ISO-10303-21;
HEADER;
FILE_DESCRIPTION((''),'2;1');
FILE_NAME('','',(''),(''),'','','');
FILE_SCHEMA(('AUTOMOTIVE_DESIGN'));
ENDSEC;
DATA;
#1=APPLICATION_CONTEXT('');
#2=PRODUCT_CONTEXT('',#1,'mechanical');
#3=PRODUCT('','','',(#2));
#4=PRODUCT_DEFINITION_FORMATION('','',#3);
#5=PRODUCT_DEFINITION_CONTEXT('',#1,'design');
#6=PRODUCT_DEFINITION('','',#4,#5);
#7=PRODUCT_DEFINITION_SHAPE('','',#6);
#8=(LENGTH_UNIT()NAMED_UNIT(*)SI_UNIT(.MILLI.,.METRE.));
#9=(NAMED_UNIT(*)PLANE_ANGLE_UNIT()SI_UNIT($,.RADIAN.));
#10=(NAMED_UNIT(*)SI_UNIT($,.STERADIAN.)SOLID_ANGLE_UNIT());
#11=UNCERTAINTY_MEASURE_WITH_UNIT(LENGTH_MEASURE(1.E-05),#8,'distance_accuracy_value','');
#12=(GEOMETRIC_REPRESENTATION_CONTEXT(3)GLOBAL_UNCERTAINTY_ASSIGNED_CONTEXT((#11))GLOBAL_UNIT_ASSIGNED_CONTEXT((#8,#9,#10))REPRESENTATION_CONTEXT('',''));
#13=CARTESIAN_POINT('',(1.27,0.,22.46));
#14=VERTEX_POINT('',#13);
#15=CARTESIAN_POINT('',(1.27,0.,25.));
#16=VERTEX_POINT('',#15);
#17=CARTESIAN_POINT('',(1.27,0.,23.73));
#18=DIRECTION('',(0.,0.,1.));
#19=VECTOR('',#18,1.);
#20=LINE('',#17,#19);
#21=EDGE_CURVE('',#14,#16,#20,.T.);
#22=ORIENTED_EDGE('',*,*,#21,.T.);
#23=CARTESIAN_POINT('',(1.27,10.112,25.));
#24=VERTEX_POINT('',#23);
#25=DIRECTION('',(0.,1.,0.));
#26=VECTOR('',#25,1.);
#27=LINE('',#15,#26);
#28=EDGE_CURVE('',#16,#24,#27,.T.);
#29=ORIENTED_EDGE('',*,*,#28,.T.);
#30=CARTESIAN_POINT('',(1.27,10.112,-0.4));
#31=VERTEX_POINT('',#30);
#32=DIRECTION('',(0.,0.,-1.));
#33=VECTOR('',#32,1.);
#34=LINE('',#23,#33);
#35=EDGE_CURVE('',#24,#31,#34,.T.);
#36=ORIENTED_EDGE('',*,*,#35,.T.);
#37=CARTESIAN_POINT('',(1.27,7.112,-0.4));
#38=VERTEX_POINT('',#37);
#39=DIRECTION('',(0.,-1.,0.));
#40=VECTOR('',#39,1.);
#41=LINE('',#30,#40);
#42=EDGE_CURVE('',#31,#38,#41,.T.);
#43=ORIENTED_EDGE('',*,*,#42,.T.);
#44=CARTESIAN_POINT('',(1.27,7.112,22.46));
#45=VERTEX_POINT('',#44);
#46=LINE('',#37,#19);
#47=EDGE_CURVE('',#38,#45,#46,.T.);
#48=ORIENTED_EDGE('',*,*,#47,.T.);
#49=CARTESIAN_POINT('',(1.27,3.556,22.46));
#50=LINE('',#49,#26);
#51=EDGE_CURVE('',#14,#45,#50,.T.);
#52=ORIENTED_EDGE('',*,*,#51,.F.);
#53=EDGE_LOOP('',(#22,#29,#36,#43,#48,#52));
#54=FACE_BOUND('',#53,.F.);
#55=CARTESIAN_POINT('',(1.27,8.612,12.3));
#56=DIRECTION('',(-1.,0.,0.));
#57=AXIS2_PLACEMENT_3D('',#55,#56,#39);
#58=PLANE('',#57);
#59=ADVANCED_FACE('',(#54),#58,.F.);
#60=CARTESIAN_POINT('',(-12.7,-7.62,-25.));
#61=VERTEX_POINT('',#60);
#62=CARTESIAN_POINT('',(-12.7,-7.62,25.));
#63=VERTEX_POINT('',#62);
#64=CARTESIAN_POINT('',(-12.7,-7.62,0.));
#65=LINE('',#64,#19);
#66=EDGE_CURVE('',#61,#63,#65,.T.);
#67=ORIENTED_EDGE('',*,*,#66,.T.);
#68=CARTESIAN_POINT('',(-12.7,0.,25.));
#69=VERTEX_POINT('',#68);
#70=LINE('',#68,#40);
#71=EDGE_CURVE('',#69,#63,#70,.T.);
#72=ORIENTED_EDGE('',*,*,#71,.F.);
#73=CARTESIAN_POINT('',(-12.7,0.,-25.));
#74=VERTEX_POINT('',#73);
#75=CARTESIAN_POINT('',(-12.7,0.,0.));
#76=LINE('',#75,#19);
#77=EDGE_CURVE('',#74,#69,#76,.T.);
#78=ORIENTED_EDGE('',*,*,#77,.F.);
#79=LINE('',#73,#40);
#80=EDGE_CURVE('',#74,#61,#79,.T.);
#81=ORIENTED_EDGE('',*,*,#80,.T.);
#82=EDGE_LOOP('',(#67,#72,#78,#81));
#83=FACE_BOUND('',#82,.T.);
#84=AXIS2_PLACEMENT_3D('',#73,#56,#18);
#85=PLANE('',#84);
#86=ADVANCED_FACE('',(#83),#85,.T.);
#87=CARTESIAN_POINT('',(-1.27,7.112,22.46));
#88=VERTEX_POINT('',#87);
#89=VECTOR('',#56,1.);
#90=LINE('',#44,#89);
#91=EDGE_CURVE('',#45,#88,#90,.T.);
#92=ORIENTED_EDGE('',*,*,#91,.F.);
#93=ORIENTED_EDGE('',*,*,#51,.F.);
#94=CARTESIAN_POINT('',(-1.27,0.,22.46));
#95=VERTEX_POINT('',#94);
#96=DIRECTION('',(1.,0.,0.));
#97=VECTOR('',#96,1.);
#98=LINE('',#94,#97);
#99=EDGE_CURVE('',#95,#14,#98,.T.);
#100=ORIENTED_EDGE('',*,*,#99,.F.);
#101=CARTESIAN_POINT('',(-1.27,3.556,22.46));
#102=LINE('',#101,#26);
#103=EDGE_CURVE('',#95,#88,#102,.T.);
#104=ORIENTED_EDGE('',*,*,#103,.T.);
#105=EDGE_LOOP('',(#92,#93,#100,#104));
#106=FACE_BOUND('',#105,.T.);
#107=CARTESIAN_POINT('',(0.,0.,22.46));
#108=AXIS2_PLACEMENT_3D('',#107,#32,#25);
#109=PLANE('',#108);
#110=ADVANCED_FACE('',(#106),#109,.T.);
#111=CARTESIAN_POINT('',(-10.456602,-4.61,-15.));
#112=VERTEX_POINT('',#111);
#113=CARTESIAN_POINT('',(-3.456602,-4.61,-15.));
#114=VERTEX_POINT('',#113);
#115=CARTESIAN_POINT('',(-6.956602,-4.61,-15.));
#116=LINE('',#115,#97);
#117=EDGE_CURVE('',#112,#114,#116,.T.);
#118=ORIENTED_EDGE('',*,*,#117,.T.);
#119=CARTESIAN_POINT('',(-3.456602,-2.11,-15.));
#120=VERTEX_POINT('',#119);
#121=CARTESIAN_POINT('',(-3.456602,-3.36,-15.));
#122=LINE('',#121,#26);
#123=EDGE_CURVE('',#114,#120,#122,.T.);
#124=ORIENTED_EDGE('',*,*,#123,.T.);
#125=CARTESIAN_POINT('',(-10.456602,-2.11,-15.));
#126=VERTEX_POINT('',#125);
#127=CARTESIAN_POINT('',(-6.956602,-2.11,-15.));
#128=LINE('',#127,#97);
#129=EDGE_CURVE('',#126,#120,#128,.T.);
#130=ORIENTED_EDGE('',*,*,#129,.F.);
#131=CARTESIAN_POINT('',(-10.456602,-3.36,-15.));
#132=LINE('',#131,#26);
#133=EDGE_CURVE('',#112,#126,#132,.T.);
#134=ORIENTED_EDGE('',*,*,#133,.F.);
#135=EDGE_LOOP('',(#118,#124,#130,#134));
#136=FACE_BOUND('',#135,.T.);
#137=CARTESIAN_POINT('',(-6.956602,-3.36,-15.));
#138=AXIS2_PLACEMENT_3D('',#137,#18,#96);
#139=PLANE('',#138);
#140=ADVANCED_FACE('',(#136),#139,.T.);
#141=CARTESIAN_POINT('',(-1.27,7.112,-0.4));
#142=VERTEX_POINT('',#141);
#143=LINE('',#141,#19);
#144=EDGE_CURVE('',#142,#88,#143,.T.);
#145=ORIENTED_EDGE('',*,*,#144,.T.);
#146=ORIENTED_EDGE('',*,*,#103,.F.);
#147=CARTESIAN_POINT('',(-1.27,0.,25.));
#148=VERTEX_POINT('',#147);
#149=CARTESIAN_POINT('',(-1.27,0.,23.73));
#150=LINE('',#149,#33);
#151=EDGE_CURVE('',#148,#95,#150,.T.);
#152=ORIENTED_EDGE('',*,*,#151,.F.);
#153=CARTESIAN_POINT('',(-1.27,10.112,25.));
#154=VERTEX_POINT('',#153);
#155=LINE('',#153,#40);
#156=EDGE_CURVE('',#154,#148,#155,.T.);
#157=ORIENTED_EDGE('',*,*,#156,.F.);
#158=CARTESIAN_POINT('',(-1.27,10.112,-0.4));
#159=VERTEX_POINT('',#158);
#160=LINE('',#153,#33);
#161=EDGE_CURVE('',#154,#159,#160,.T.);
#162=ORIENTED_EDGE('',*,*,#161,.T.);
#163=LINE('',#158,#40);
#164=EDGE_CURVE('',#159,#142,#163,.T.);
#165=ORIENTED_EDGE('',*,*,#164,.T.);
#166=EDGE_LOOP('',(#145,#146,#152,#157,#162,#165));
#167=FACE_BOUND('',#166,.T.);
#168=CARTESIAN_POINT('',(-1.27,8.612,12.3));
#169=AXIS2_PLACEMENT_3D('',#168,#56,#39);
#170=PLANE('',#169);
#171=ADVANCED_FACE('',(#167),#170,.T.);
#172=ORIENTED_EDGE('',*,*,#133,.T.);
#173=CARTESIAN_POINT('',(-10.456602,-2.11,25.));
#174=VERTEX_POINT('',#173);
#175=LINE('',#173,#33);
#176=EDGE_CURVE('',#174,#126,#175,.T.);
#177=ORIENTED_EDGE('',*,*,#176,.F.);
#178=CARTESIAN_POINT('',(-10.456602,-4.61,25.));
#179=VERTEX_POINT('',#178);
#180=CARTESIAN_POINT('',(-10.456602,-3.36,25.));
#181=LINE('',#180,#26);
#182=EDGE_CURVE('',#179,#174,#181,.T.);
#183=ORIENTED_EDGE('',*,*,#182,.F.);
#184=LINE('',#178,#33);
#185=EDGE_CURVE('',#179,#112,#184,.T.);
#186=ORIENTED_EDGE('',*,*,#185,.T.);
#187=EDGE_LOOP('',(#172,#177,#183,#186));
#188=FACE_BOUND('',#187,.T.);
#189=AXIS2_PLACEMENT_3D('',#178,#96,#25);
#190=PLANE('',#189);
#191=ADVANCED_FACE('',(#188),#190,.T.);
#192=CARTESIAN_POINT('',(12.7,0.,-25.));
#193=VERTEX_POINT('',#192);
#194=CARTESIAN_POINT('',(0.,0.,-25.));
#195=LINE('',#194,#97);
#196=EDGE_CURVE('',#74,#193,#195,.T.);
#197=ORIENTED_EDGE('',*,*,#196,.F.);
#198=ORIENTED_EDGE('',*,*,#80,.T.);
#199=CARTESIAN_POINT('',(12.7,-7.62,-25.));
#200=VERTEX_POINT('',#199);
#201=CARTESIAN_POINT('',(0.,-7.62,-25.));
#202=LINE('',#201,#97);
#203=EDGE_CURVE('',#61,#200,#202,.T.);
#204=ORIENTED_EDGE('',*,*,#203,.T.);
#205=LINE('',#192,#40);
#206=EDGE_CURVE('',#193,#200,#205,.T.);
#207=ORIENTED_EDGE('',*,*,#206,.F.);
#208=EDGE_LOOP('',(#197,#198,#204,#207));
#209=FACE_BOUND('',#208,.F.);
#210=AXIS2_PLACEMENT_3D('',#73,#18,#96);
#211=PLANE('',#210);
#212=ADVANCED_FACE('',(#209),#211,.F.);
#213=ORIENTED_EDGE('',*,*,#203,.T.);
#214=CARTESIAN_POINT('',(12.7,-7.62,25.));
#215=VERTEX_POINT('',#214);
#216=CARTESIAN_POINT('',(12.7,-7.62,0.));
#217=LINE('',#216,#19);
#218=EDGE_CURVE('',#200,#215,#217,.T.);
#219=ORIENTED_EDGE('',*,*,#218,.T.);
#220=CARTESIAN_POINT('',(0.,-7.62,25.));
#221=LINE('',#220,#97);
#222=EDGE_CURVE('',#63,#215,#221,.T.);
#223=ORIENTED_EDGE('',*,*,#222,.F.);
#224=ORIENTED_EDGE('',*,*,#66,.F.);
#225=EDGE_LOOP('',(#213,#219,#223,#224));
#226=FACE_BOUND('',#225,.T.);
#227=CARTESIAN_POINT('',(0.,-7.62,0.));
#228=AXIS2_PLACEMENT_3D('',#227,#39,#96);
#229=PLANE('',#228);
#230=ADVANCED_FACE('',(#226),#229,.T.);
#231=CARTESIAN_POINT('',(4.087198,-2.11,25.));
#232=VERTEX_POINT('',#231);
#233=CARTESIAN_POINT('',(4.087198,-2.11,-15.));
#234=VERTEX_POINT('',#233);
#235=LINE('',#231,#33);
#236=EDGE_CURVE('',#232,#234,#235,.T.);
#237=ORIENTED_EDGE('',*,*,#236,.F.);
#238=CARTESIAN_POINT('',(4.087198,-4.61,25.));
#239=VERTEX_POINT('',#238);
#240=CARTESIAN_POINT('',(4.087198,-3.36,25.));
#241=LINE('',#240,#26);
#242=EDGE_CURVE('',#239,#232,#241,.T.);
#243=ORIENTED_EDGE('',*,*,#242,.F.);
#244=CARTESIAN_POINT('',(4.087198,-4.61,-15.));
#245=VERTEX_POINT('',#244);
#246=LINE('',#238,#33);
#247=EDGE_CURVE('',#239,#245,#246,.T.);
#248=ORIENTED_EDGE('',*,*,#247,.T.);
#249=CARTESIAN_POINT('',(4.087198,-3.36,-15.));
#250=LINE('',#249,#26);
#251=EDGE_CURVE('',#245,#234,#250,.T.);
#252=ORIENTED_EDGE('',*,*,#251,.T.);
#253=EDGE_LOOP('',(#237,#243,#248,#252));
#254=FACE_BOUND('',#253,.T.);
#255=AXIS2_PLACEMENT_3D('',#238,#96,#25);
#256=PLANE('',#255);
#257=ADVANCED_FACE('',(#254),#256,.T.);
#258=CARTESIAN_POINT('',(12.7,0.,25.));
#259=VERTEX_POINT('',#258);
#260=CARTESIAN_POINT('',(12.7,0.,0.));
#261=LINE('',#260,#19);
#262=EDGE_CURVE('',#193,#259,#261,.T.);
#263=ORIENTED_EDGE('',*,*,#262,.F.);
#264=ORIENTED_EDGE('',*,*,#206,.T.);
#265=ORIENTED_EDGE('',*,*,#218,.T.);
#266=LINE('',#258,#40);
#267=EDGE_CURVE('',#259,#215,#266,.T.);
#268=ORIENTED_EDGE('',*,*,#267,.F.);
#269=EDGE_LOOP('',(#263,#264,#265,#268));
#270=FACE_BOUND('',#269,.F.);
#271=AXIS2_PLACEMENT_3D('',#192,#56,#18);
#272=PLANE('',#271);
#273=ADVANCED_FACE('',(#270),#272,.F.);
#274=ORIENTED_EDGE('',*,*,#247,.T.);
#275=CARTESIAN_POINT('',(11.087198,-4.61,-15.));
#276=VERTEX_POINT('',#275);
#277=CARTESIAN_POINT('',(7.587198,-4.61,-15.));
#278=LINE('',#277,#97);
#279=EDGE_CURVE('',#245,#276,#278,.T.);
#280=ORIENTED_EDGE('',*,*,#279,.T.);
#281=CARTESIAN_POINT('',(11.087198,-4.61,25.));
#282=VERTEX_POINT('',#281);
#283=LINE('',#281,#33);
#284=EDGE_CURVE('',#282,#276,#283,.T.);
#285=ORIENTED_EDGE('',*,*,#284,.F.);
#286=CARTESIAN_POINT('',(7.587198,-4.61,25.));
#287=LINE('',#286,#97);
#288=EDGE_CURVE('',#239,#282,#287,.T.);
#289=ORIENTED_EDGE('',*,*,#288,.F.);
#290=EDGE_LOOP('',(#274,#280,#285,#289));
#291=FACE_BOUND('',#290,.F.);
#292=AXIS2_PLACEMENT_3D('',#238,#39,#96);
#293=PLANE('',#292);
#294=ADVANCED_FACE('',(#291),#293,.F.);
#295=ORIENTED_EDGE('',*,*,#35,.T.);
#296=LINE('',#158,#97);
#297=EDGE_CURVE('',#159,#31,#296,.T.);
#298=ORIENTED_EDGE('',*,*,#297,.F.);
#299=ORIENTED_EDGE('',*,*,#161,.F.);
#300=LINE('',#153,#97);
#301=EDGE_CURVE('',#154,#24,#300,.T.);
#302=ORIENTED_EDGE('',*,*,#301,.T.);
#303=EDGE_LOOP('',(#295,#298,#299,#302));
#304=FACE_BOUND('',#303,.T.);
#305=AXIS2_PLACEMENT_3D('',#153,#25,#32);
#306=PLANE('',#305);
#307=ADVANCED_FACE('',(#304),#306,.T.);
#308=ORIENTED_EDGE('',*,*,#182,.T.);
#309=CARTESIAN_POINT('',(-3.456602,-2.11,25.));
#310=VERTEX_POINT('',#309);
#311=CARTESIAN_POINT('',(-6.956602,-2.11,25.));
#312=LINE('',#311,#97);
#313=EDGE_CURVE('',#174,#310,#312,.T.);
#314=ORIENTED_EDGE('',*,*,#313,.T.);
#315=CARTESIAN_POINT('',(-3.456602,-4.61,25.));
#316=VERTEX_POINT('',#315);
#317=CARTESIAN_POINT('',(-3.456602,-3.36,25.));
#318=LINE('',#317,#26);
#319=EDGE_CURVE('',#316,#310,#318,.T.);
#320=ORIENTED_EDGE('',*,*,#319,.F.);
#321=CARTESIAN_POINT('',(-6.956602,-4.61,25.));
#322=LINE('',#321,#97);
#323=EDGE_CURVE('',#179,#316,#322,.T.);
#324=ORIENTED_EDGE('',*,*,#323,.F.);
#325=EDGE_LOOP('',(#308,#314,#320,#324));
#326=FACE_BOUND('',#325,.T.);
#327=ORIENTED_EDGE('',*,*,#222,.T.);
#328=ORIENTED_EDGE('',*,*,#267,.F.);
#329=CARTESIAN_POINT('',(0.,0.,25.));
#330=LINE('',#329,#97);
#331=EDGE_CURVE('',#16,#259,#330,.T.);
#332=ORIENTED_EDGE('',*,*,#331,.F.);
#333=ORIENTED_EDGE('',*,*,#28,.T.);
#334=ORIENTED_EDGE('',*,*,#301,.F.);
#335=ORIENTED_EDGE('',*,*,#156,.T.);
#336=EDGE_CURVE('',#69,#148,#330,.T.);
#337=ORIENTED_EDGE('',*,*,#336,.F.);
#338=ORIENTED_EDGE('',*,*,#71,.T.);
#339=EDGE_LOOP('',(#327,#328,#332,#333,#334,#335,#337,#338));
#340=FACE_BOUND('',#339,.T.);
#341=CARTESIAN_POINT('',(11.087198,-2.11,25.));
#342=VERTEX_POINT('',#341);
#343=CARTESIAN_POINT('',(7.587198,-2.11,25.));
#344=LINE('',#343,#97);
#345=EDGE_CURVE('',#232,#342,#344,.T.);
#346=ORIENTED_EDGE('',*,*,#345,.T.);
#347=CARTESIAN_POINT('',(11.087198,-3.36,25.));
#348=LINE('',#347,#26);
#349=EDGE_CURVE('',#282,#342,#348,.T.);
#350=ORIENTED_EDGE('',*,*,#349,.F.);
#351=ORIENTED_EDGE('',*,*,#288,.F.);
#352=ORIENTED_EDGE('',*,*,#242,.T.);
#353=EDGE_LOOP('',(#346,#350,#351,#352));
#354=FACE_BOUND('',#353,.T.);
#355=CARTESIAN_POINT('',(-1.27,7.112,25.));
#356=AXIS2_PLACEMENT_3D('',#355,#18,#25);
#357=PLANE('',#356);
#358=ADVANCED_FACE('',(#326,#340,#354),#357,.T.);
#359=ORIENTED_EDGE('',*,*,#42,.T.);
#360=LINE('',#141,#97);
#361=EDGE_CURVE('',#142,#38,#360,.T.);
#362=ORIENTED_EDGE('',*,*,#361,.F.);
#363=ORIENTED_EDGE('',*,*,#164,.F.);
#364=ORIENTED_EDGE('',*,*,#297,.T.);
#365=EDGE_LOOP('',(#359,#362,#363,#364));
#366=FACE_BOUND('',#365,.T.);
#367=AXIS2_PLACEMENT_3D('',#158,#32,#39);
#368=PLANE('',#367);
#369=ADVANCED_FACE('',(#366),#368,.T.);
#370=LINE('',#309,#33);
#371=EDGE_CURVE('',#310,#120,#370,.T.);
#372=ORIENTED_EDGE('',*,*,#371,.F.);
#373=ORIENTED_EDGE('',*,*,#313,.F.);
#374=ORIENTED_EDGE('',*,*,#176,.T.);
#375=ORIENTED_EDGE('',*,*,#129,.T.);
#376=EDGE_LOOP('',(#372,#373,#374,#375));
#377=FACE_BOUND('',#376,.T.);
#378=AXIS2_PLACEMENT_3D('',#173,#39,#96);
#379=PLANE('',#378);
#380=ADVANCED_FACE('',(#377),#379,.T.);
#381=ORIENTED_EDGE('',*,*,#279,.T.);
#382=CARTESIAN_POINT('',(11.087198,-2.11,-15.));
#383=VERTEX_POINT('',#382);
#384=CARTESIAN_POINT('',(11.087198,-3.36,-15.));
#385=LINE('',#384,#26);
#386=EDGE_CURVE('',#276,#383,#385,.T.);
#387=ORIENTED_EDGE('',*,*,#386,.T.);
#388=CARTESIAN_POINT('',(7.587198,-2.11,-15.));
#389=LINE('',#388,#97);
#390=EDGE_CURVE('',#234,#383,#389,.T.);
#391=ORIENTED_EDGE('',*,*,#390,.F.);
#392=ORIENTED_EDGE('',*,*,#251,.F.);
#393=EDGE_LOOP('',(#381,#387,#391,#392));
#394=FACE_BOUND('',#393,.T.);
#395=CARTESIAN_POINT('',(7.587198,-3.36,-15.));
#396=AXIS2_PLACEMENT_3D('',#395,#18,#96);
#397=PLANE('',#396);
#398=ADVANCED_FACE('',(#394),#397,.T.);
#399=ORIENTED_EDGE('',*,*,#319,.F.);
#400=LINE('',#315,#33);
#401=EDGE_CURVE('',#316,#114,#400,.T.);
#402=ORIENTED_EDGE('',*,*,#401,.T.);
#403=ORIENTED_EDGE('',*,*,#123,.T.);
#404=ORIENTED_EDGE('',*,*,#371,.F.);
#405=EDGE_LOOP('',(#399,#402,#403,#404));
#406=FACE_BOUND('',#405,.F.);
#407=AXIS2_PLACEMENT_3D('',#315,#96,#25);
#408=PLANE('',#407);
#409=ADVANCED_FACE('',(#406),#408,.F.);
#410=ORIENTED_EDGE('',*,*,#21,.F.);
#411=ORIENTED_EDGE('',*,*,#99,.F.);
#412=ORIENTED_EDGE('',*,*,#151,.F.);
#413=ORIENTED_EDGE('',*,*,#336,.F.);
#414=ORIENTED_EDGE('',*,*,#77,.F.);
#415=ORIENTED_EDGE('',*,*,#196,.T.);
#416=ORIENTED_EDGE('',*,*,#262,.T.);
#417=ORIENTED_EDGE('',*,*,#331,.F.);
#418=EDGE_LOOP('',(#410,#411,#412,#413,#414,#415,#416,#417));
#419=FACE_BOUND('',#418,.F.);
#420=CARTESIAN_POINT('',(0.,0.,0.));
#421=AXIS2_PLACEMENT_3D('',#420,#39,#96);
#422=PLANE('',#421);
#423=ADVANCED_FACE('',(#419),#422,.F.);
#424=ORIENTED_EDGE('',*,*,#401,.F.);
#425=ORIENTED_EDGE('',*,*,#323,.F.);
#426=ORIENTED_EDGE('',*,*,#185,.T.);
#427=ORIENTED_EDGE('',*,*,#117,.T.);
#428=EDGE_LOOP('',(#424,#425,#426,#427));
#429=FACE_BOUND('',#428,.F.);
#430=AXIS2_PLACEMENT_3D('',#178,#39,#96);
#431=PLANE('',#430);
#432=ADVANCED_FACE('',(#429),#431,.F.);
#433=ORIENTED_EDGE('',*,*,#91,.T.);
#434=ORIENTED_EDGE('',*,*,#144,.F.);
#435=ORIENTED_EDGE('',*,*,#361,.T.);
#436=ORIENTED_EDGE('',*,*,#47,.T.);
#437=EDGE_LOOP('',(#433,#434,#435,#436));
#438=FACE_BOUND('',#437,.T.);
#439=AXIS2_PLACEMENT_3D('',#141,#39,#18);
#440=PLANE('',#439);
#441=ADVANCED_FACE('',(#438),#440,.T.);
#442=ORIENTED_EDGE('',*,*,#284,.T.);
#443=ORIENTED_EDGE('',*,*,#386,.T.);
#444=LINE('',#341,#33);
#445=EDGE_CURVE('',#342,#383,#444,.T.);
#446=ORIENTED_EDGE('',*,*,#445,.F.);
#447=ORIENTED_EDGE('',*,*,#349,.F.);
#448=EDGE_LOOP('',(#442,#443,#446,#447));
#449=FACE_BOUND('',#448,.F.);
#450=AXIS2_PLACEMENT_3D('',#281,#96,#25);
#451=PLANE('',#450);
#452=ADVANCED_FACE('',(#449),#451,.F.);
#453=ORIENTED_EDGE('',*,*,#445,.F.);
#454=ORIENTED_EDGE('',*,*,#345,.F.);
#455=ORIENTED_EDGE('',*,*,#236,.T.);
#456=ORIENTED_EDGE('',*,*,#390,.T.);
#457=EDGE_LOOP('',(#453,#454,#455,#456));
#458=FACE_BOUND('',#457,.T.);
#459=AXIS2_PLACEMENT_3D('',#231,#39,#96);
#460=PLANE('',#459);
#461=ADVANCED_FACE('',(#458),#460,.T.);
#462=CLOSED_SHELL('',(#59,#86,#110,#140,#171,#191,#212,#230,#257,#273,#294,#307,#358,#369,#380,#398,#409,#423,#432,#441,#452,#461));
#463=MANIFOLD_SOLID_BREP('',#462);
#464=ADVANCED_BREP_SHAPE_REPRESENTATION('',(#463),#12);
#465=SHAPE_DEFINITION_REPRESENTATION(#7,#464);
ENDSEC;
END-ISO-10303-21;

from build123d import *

# Parameters (mm, degrees)
F0_W      = 25.4
F0_H      = 50
F1_DEPTH  = 7.62
F2_W      = 7.112
F2_H      = 2.54
F3_DEPTH  = 1.27
F3_FACE_W = 7.112
F3_FACE_H = 2.54
F4_DEPTH  = 1.27
F6_DEPTH  = 2.54
F7_W      = 7
F7_H      = 2.5
F8_DEPTH  = 40


with BuildPart() as f1:
    # F0 (on Front) → F1 (new body)
    with BuildSketch(Plane.XZ):
        Rectangle(F0_W, F0_H)
    extrude(amount=F1_DEPTH)

    # F2 (on Right) → F3 (join)
    with BuildSketch(Plane.YZ):
        with Locations((3.556, 23.73)):
            Rectangle(F2_W, F2_H)
    extrude(amount=F3_DEPTH)

    # F3_face (on face) → F4 (join)
    with BuildSketch(Plane(origin=(0, 3.556, 23.73), x_dir=(0, 1, 0), z_dir=(-1, 0, 0))):
        Rectangle(F3_FACE_W, F3_FACE_H)
    extrude(amount=F4_DEPTH)

    # F5 (on face) → F6 (join)
    with BuildSketch(Plane(origin=(-1.27, 0, 0), x_dir=(0, -1, 0), z_dir=(-1, 0, 0))):
        Polygon((-7.112, 22.46), (-7.112, 25), (-10.112, 25), (-10.112, -0.4), (-7.112, -0.4), align=None)
    extrude(amount=-F6_DEPTH)

    # F7 (on face) → F8 (cut)
    with BuildSketch(Plane.XY.offset(25)):
        with Locations((-6.956602, -3.36)):
            Rectangle(F7_W, F7_H)
        with Locations((7.587198, -3.36)):
            Rectangle(F7_W, F7_H)
    extrude(amount=-F8_DEPTH, mode=Mode.SUBTRACT)


solid = f1.part
